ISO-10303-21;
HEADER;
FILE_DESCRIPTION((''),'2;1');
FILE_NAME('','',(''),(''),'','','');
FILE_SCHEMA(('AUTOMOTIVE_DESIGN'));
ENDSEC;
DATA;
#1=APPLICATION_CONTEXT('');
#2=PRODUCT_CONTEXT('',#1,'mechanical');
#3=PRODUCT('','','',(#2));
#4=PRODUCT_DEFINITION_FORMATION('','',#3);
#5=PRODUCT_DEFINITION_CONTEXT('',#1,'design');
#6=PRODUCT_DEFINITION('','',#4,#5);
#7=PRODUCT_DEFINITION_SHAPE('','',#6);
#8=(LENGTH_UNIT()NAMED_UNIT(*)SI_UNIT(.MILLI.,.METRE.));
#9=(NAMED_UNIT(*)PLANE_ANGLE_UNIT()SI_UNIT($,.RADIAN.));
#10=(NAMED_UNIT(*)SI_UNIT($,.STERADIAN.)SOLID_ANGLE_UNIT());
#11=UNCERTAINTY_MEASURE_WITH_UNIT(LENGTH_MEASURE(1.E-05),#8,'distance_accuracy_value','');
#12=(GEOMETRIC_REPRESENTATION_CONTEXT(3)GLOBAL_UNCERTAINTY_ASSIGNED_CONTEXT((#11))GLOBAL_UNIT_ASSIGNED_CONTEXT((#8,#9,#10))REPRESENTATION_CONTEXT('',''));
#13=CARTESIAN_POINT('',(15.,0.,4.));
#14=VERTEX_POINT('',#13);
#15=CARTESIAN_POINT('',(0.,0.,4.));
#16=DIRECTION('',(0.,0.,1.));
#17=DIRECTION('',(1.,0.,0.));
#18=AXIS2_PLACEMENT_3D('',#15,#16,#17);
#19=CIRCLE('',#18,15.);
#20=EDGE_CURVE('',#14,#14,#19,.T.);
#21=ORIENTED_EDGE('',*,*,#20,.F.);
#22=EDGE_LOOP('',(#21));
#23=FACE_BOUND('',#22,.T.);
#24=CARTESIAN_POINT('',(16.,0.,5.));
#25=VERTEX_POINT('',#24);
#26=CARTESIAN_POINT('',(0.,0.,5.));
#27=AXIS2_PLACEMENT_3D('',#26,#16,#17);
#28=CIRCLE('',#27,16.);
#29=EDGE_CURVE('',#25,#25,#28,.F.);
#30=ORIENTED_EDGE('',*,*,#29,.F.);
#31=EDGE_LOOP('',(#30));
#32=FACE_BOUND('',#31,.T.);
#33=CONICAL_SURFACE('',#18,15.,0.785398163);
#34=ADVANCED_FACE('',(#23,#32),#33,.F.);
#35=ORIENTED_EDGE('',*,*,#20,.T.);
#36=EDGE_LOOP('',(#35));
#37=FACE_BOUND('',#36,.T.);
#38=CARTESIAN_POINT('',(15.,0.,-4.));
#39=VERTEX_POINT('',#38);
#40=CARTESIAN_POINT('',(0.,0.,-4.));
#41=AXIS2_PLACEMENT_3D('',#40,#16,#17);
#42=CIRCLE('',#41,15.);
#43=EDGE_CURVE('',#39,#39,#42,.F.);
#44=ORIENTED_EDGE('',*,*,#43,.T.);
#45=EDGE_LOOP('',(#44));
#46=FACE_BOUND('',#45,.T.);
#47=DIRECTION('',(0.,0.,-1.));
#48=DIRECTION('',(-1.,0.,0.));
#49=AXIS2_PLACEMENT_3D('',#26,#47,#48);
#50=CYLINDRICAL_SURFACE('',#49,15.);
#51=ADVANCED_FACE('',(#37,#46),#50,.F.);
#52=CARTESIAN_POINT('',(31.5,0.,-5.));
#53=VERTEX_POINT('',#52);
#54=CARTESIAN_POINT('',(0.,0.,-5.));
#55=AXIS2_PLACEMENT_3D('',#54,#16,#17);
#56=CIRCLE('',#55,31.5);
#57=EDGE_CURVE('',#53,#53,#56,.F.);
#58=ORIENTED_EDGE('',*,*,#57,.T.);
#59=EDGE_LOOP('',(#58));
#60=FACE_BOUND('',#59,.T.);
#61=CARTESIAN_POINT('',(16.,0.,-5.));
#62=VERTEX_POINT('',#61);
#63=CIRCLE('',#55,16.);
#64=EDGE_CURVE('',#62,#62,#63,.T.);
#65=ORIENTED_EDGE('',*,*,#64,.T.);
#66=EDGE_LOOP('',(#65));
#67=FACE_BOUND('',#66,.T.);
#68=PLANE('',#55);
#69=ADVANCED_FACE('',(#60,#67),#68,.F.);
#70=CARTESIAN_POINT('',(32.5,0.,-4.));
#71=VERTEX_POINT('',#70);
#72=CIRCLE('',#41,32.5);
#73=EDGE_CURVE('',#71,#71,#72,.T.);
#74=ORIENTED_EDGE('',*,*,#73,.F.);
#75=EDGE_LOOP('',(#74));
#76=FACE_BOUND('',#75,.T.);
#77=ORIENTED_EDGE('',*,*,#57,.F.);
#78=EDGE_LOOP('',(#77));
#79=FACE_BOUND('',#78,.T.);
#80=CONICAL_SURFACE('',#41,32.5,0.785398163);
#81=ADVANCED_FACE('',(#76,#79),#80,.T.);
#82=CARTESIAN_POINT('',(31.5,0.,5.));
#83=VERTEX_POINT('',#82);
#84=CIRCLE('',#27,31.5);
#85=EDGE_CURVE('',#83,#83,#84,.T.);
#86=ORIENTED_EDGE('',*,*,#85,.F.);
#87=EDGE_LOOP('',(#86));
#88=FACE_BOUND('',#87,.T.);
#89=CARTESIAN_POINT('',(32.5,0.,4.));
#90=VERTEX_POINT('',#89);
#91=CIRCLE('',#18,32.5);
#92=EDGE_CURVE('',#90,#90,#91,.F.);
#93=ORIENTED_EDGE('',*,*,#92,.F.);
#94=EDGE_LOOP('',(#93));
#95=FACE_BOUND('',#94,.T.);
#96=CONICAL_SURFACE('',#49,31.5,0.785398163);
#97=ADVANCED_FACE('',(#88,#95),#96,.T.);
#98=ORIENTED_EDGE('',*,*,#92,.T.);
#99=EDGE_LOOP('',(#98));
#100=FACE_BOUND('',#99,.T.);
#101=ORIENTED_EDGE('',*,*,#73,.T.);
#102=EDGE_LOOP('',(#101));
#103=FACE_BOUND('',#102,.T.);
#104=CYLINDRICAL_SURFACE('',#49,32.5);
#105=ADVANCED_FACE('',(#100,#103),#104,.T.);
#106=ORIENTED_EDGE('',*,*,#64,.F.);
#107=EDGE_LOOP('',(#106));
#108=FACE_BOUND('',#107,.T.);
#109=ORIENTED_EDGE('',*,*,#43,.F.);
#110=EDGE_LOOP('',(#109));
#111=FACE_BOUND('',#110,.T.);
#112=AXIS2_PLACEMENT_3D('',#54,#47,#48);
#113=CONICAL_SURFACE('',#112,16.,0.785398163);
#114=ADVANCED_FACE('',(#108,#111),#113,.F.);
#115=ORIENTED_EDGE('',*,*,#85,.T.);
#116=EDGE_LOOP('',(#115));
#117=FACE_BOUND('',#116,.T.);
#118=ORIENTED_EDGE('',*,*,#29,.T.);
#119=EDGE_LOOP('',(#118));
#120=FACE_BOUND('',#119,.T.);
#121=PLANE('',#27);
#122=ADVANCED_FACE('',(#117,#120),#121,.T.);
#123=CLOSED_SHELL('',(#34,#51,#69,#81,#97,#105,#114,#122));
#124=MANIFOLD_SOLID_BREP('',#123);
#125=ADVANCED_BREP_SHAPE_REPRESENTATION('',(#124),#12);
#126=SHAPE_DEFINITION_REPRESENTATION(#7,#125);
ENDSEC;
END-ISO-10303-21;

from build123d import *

# Parameters (mm, degrees)
SKETCH1_R      = 32.5
SKETCH1_R_2    = 15
EXTRUDE1_DEPTH = 5
CHAMFER2_SIZE  = 1


with BuildPart() as part:
    # Sketch1 → Extrude1 (new, symmetric)
    with BuildSketch(Plane.XY):
        Circle(SKETCH1_R)
        Circle(SKETCH1_R_2, mode=Mode.SUBTRACT)
    extrude(amount=EXTRUDE1_DEPTH, both=True)

    # Chamfer2
    chamfer2_edges = [part.edges().sort_by_distance(p)[0] for p in [
        (-32.5, 0, -5),
        (-32.5, 0, 5),
        (-15, 0, -5),
        (-15, 0, 5),
    ]]
    chamfer(chamfer2_edges, length=CHAMFER2_SIZE)


solid = part.part
